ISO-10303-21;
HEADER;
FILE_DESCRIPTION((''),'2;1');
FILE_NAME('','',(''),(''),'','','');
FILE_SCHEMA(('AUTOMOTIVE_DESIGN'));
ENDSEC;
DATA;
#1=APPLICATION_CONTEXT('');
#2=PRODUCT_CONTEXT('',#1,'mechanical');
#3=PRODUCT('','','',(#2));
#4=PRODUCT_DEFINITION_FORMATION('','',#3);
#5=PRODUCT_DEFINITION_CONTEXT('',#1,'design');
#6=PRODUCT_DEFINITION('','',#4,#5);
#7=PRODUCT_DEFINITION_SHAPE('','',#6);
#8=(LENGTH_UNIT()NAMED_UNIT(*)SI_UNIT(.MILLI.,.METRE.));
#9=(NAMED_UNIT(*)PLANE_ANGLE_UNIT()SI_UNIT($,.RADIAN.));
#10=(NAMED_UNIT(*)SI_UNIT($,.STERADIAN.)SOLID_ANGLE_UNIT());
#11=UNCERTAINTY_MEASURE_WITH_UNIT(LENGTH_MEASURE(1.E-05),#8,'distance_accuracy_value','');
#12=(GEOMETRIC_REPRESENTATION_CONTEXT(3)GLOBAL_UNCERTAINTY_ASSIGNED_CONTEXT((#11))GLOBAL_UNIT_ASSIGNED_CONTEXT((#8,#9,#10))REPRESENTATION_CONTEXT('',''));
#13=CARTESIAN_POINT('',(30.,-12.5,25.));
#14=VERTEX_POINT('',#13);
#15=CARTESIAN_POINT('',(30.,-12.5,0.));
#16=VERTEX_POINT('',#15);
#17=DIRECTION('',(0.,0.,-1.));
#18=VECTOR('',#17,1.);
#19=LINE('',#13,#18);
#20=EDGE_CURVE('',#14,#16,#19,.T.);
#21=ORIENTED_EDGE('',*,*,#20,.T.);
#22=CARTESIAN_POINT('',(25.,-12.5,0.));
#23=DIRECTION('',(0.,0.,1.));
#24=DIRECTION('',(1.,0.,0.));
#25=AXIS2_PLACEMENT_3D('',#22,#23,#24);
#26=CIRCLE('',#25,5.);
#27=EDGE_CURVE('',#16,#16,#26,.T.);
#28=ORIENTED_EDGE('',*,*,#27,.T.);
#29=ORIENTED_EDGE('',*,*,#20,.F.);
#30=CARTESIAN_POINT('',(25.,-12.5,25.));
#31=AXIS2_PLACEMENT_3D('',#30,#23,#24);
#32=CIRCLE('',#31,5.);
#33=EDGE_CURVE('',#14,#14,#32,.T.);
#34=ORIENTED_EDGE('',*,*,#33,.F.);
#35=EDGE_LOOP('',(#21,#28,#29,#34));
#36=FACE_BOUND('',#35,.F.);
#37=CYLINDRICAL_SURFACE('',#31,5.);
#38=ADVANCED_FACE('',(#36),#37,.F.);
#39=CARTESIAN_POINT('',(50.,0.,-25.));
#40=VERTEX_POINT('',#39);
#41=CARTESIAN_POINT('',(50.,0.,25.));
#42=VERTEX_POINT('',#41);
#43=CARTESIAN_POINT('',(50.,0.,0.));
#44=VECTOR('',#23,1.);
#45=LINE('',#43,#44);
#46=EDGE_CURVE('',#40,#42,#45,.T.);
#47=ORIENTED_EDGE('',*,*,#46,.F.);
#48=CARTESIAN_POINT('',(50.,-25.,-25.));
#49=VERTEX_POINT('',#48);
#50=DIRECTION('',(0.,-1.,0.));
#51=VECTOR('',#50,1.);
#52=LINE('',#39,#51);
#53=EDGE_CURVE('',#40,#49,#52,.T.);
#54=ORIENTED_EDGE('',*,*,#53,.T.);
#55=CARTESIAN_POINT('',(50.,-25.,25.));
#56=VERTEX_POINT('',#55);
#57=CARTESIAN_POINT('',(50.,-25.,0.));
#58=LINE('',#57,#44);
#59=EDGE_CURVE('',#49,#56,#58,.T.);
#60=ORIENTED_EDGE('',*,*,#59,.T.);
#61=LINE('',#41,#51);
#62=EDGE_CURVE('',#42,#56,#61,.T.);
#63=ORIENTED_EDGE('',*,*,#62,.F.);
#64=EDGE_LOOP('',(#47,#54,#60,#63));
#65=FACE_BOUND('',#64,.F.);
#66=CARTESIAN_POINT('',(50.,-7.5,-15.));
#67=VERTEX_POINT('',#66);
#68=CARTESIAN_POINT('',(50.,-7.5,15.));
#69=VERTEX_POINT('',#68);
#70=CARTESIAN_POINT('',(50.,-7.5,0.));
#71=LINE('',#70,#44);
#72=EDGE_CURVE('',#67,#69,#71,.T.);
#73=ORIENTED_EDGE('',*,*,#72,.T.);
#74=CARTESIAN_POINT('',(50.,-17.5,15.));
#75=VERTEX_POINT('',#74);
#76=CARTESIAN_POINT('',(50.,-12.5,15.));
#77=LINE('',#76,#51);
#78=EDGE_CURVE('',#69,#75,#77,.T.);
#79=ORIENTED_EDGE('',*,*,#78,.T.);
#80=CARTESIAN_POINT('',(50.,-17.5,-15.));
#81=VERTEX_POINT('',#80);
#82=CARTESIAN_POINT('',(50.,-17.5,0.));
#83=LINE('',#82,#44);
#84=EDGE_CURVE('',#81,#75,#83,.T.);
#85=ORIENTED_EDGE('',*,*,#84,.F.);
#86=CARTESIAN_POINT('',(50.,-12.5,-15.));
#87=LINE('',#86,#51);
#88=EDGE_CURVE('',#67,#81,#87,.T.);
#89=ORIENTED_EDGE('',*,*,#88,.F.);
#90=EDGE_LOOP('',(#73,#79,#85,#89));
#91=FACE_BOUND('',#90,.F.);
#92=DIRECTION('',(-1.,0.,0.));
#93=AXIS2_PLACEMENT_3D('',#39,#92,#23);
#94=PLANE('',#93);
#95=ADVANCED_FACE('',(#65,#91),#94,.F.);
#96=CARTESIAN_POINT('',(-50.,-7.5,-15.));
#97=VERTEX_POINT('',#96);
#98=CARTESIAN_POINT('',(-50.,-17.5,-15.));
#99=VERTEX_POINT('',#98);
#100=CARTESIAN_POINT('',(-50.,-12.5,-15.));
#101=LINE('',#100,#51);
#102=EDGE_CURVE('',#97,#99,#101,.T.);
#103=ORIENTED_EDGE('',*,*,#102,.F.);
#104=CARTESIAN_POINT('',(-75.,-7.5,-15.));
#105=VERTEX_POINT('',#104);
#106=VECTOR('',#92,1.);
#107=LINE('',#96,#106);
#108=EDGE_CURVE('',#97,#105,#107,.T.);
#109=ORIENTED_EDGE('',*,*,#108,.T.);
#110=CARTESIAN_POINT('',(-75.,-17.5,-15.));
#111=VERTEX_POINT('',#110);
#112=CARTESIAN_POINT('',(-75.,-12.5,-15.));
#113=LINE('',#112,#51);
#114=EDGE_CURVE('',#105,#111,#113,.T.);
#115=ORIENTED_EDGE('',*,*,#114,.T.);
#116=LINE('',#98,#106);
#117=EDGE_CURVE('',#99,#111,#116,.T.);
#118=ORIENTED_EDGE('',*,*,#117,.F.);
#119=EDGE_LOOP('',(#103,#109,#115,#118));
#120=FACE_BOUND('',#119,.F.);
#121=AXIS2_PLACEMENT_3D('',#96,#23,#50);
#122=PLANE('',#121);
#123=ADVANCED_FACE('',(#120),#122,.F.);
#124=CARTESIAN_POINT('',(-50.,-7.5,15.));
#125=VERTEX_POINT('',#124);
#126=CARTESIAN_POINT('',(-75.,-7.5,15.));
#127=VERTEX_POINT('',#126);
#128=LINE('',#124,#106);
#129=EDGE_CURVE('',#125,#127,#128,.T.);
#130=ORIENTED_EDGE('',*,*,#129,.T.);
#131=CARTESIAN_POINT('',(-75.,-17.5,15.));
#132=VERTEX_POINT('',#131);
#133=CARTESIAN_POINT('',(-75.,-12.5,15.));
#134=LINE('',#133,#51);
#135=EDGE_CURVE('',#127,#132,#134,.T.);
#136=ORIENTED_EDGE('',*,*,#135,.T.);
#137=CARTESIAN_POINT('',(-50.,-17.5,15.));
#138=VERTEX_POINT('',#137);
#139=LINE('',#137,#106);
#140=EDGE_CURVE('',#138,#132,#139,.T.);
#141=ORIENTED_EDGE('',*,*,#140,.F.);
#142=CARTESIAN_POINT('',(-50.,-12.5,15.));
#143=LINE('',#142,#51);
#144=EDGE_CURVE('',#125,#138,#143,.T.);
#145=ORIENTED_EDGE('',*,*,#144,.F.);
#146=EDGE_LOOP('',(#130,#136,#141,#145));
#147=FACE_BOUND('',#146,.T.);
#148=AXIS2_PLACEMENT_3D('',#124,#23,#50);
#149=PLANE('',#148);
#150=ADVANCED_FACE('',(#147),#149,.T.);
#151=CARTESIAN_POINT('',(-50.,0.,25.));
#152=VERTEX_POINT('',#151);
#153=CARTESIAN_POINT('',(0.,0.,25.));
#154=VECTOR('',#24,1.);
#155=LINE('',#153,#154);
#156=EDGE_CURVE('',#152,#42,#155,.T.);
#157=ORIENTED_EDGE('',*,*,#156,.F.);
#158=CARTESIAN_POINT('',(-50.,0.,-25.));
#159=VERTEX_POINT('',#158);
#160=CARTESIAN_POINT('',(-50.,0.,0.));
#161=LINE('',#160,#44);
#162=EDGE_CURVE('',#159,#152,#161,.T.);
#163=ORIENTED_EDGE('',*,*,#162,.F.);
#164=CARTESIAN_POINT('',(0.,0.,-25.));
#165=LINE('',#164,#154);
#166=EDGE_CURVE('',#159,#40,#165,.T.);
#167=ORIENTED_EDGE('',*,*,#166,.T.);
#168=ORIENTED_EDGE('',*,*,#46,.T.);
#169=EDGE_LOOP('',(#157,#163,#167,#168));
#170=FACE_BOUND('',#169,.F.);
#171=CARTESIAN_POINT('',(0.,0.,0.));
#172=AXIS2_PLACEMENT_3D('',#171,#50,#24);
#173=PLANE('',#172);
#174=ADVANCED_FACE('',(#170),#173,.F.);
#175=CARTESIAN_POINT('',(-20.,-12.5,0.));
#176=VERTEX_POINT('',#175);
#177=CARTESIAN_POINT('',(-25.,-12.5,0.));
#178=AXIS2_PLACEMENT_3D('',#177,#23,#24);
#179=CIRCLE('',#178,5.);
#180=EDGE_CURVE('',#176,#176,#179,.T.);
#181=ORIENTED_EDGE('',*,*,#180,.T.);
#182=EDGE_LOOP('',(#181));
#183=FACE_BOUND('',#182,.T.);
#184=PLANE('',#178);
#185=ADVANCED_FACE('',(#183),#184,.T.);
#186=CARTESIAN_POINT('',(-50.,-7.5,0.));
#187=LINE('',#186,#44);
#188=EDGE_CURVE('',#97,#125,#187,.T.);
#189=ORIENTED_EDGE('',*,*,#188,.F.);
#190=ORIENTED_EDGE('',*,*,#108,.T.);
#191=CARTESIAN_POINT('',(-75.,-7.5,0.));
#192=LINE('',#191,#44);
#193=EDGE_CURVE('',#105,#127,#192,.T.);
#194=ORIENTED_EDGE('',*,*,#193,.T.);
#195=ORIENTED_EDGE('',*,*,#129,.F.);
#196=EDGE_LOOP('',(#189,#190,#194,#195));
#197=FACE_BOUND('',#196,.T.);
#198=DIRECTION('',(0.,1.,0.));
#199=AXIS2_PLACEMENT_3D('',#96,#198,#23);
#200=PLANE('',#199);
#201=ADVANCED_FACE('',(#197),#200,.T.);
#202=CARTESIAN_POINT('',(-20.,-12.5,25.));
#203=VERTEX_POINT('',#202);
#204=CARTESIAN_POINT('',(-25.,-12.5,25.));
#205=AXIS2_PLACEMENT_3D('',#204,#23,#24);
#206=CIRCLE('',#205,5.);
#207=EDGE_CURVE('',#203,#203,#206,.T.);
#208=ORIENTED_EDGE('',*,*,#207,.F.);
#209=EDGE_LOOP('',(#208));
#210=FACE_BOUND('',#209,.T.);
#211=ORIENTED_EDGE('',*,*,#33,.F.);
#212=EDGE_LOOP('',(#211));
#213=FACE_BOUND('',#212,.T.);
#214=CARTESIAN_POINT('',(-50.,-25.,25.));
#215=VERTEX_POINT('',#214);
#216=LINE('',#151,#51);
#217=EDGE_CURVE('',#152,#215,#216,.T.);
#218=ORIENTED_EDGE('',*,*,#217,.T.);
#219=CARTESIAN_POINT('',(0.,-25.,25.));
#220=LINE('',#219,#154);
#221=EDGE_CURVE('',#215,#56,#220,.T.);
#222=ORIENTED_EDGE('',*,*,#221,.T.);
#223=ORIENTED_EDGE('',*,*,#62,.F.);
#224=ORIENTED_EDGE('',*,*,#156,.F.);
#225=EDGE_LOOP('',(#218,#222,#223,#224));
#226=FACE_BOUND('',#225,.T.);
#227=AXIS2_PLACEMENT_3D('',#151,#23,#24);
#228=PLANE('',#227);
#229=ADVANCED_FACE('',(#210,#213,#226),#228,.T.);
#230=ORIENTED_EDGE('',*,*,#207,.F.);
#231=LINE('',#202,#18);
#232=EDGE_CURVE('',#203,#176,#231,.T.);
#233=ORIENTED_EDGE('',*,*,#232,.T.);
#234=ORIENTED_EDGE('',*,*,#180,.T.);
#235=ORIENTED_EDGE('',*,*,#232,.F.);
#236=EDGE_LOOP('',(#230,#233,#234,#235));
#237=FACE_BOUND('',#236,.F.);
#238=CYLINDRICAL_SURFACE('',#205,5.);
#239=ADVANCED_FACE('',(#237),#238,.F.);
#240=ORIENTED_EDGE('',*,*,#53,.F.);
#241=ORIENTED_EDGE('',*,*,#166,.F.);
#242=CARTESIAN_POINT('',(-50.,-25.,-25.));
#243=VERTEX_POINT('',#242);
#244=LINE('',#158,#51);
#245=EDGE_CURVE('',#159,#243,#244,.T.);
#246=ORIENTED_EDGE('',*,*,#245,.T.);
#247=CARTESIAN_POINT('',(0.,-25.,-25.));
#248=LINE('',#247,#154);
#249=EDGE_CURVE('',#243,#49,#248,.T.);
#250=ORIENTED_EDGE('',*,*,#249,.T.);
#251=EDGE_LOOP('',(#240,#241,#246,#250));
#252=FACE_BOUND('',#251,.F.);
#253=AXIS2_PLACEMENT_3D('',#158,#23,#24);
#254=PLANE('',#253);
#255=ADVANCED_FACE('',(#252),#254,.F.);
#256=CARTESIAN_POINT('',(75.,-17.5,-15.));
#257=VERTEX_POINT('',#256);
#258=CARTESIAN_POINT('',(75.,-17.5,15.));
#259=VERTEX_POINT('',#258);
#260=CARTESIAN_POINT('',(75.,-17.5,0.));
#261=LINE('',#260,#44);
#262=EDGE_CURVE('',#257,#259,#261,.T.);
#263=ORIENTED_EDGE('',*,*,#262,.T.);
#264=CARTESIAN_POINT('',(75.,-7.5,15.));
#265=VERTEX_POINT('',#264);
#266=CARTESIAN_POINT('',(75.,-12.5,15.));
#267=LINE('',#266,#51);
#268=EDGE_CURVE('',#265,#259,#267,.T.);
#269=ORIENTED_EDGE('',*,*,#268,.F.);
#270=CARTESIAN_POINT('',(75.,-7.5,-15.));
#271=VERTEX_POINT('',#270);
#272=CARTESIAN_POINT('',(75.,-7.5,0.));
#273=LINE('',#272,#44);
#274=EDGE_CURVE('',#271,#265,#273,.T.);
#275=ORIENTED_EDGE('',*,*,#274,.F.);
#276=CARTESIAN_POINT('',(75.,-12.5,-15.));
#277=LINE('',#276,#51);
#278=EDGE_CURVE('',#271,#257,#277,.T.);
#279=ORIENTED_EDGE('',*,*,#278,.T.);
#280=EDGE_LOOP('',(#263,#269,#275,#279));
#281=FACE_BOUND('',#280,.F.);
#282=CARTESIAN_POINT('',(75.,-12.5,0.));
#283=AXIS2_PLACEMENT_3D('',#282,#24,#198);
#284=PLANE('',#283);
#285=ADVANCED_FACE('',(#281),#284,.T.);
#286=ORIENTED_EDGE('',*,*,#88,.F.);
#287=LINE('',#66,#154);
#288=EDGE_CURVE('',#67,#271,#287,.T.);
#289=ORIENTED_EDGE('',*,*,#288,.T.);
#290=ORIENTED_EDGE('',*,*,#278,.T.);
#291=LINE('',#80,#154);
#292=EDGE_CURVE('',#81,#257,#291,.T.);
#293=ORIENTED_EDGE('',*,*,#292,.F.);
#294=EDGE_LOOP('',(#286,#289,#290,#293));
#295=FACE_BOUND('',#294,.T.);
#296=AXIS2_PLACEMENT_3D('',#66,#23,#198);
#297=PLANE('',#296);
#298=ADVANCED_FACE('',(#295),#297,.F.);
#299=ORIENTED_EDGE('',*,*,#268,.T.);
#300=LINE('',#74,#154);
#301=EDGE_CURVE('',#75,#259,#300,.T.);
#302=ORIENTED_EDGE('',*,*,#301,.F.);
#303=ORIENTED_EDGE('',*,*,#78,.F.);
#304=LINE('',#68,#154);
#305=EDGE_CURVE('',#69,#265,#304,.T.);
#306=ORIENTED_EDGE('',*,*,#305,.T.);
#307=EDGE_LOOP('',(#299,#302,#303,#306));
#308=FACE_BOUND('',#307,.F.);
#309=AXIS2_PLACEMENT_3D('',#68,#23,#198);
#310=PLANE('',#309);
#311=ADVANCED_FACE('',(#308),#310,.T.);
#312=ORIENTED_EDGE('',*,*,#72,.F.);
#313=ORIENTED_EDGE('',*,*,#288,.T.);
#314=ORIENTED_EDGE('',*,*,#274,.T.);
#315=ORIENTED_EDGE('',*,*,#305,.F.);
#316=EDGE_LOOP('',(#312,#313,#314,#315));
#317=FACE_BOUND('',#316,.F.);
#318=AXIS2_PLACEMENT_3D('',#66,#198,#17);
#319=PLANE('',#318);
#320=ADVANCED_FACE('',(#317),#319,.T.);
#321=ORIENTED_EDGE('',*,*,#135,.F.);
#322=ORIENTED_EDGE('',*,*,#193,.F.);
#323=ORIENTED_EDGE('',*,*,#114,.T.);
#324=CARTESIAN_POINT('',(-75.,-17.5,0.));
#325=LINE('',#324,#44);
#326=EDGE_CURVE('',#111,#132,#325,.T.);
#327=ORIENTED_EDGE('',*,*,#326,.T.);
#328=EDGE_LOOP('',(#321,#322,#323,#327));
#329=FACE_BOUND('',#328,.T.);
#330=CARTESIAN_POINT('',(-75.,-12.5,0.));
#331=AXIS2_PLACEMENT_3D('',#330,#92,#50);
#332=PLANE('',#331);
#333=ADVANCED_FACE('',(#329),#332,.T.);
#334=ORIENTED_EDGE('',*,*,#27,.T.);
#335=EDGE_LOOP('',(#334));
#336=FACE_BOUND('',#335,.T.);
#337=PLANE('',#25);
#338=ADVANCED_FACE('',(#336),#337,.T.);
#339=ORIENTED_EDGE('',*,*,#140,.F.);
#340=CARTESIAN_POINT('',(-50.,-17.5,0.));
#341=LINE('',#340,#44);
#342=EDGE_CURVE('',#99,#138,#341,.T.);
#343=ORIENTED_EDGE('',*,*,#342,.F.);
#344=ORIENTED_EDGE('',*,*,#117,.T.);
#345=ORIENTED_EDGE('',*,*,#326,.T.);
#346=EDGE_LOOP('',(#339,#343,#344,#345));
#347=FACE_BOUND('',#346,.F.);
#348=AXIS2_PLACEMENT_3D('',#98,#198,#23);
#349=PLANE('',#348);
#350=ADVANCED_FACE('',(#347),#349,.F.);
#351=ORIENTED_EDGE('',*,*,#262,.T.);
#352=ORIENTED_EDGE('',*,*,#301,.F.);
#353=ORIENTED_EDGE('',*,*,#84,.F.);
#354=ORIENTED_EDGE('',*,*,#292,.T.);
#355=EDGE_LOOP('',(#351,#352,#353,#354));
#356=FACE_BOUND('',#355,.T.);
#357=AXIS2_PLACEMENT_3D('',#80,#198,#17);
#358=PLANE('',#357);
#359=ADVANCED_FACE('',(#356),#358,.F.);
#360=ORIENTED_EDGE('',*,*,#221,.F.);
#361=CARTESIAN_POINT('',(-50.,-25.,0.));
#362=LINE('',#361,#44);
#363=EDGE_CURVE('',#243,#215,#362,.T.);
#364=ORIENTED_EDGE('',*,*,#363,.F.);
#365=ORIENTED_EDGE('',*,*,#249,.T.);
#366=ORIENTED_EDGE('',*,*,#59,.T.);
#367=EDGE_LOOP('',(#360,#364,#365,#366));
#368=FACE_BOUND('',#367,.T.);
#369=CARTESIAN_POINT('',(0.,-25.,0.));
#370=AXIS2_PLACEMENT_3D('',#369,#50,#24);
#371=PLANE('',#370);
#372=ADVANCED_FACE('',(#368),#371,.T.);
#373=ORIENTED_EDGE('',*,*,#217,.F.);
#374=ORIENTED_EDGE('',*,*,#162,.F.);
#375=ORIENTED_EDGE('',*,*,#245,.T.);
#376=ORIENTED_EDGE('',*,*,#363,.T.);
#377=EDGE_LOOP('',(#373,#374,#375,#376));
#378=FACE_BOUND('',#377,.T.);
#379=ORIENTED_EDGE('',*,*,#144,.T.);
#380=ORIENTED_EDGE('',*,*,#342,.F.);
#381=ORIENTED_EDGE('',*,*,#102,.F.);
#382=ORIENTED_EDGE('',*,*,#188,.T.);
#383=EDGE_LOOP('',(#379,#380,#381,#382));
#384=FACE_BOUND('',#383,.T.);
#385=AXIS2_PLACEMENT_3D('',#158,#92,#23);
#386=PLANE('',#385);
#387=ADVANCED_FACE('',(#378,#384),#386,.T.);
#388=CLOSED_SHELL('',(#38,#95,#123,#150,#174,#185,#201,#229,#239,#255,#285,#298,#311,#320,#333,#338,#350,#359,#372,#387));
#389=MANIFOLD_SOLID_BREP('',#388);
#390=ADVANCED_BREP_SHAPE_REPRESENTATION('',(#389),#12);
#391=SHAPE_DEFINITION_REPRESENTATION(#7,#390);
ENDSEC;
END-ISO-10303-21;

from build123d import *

# Parameters (mm, degrees)
F0_W     = 100
F0_H     = 50
F1_DEPTH = 25
F2_W     = 10
F2_H     = 30
F3_DEPTH = 25
F5_R     = 5
F6_DEPTH = 25


with BuildPart() as f1:
    # F0 (on Front) → F1 (new body)
    with BuildSketch(Plane.XZ):
        Rectangle(F0_W, F0_H)
    extrude(amount=F1_DEPTH)

    # F2 (on face) → F3 (join)
    with BuildSketch(Plane(origin=(-50, 0, 0), x_dir=(0, -1, 0), z_dir=(-1, 0, 0))):
        with Locations((12.5, 0)):
            Rectangle(F2_W, F2_H)
    extrude(amount=F3_DEPTH)

    # F4: F1 across plane


with BuildPart() as f1_1:
    add(f1.part)
    add(f1.part.mirror(Plane.YZ))

    # F5 (on face) → F6 (cut)
    with BuildSketch(Plane.XY.offset(25)):
        with Locations((-25, -12.5)):
            Circle(F5_R)
        with Locations((25, -12.5)):
            Circle(F5_R)
    extrude(amount=-F6_DEPTH, mode=Mode.SUBTRACT)


solid = f1_1.part
